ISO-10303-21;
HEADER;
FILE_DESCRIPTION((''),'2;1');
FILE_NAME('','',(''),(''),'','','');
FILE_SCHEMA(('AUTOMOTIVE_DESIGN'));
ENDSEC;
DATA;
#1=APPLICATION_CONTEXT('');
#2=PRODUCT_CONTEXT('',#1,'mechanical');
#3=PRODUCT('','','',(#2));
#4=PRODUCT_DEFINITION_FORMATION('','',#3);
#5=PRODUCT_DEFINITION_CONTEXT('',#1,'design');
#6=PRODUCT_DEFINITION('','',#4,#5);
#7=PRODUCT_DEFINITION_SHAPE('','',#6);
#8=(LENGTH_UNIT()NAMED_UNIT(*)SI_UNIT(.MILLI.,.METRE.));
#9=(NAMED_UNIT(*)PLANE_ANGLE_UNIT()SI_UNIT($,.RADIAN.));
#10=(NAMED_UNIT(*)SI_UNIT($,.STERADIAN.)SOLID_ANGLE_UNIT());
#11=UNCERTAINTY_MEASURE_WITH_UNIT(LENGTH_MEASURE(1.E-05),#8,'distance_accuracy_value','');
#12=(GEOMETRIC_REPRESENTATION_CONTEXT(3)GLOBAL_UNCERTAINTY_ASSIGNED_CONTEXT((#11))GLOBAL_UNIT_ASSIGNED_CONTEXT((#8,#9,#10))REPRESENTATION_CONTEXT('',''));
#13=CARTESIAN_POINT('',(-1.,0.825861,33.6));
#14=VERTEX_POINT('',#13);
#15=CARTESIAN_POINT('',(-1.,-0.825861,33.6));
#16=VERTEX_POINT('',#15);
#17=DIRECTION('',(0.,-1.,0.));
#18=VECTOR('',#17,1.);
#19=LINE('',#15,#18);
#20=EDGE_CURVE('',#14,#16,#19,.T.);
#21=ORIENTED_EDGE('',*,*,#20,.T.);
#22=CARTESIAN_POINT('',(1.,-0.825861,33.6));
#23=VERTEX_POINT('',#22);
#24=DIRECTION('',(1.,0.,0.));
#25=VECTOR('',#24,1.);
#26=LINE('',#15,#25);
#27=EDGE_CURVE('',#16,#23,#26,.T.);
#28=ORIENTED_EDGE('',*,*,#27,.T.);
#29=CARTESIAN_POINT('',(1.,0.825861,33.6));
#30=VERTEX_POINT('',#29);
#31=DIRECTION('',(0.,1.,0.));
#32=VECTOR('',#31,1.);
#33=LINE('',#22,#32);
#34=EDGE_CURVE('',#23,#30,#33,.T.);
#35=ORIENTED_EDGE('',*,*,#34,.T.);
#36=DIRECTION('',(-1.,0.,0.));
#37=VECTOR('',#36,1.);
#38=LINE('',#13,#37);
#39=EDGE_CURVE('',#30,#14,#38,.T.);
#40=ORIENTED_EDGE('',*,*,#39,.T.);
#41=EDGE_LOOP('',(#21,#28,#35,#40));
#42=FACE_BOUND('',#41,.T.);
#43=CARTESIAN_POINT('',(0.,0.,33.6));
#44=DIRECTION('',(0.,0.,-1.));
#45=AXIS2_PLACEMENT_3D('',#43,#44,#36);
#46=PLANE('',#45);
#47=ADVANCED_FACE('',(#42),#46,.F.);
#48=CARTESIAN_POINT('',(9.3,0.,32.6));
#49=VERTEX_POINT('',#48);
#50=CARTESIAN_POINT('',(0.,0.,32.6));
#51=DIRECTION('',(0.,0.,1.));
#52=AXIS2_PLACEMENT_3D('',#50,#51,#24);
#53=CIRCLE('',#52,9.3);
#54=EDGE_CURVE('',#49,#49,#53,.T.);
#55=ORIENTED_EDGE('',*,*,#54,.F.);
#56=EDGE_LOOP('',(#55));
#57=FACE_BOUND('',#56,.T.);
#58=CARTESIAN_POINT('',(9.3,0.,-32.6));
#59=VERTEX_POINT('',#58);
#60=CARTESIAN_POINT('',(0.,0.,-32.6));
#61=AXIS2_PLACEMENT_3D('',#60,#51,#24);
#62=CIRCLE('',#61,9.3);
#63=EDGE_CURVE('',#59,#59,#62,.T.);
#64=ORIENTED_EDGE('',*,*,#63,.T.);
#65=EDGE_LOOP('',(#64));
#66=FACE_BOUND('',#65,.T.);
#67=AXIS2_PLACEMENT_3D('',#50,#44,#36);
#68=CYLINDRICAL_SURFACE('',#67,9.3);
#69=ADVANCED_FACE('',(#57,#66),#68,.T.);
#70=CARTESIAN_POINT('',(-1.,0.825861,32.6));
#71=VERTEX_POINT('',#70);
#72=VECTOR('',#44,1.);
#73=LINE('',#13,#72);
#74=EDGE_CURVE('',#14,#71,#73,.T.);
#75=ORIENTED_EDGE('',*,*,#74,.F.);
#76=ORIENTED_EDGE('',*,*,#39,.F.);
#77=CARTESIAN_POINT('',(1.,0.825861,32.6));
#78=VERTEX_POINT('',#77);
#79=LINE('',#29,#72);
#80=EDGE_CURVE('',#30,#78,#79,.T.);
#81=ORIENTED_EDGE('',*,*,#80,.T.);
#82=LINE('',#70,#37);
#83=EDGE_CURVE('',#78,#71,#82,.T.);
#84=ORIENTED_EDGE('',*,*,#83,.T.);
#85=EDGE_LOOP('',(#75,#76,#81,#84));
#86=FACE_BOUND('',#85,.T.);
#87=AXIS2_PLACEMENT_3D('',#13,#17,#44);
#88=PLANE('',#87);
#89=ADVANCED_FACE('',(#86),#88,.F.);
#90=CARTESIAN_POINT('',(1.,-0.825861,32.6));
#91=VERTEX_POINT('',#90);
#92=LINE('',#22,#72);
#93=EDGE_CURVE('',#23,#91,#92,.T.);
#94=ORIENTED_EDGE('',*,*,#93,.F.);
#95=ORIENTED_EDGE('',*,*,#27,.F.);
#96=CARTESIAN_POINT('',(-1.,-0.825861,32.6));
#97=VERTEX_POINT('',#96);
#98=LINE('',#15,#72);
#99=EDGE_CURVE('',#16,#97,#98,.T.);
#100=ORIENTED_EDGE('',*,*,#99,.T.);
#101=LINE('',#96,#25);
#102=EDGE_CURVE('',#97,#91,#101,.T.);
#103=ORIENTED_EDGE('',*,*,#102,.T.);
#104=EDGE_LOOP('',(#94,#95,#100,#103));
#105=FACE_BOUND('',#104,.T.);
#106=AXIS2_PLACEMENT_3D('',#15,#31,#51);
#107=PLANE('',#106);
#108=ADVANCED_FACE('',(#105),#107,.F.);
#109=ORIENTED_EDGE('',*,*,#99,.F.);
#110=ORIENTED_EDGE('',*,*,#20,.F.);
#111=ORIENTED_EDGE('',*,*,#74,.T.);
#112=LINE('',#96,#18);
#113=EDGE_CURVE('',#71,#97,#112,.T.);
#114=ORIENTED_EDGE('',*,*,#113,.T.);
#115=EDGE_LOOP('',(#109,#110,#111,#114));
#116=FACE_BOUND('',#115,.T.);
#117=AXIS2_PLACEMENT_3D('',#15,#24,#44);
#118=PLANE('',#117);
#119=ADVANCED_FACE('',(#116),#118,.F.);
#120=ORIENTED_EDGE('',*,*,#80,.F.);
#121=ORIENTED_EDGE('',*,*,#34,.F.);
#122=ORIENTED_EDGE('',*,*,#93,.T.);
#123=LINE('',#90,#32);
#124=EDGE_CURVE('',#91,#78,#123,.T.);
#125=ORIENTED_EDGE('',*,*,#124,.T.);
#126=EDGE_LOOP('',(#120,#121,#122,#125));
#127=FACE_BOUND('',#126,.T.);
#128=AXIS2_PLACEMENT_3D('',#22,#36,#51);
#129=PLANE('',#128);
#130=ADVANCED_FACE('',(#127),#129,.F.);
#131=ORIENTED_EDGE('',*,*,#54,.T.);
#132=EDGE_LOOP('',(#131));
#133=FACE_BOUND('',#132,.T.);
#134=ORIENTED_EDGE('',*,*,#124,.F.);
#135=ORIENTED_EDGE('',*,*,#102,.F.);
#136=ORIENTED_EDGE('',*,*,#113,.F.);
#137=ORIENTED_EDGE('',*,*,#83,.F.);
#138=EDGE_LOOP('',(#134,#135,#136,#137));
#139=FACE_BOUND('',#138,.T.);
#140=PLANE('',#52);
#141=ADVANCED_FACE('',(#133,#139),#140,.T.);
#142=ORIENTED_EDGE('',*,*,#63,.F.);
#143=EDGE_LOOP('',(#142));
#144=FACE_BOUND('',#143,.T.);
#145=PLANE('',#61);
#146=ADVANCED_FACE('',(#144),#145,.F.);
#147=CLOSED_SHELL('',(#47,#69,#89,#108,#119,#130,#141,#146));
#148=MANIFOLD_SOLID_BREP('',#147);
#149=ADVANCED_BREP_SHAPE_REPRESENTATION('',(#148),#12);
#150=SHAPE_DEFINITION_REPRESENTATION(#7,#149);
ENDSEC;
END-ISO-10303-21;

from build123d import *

# Parameters (mm, degrees)
SKETCH_1_R      = 9.3
EXTRUDE_1_DEPTH = 32.6
SKETCH_2_W      = 2
SKETCH_2_H      = 1.651721756
EXTRUDE_2_DEPTH = 1


with BuildPart() as part:
    # Эскиз1 → Бобышка-Вытянуть1 (new, symmetric)
    with BuildSketch(Plane.XY):
        Circle(SKETCH_1_R)
    extrude(amount=EXTRUDE_1_DEPTH, both=True)

    # Эскиз2 → Бобышка-Вытянуть2 (add)
    with BuildSketch(Plane.XY.offset(32.6)):
        Rectangle(SKETCH_2_W, SKETCH_2_H)
    extrude(amount=EXTRUDE_2_DEPTH)


solid = part.part
